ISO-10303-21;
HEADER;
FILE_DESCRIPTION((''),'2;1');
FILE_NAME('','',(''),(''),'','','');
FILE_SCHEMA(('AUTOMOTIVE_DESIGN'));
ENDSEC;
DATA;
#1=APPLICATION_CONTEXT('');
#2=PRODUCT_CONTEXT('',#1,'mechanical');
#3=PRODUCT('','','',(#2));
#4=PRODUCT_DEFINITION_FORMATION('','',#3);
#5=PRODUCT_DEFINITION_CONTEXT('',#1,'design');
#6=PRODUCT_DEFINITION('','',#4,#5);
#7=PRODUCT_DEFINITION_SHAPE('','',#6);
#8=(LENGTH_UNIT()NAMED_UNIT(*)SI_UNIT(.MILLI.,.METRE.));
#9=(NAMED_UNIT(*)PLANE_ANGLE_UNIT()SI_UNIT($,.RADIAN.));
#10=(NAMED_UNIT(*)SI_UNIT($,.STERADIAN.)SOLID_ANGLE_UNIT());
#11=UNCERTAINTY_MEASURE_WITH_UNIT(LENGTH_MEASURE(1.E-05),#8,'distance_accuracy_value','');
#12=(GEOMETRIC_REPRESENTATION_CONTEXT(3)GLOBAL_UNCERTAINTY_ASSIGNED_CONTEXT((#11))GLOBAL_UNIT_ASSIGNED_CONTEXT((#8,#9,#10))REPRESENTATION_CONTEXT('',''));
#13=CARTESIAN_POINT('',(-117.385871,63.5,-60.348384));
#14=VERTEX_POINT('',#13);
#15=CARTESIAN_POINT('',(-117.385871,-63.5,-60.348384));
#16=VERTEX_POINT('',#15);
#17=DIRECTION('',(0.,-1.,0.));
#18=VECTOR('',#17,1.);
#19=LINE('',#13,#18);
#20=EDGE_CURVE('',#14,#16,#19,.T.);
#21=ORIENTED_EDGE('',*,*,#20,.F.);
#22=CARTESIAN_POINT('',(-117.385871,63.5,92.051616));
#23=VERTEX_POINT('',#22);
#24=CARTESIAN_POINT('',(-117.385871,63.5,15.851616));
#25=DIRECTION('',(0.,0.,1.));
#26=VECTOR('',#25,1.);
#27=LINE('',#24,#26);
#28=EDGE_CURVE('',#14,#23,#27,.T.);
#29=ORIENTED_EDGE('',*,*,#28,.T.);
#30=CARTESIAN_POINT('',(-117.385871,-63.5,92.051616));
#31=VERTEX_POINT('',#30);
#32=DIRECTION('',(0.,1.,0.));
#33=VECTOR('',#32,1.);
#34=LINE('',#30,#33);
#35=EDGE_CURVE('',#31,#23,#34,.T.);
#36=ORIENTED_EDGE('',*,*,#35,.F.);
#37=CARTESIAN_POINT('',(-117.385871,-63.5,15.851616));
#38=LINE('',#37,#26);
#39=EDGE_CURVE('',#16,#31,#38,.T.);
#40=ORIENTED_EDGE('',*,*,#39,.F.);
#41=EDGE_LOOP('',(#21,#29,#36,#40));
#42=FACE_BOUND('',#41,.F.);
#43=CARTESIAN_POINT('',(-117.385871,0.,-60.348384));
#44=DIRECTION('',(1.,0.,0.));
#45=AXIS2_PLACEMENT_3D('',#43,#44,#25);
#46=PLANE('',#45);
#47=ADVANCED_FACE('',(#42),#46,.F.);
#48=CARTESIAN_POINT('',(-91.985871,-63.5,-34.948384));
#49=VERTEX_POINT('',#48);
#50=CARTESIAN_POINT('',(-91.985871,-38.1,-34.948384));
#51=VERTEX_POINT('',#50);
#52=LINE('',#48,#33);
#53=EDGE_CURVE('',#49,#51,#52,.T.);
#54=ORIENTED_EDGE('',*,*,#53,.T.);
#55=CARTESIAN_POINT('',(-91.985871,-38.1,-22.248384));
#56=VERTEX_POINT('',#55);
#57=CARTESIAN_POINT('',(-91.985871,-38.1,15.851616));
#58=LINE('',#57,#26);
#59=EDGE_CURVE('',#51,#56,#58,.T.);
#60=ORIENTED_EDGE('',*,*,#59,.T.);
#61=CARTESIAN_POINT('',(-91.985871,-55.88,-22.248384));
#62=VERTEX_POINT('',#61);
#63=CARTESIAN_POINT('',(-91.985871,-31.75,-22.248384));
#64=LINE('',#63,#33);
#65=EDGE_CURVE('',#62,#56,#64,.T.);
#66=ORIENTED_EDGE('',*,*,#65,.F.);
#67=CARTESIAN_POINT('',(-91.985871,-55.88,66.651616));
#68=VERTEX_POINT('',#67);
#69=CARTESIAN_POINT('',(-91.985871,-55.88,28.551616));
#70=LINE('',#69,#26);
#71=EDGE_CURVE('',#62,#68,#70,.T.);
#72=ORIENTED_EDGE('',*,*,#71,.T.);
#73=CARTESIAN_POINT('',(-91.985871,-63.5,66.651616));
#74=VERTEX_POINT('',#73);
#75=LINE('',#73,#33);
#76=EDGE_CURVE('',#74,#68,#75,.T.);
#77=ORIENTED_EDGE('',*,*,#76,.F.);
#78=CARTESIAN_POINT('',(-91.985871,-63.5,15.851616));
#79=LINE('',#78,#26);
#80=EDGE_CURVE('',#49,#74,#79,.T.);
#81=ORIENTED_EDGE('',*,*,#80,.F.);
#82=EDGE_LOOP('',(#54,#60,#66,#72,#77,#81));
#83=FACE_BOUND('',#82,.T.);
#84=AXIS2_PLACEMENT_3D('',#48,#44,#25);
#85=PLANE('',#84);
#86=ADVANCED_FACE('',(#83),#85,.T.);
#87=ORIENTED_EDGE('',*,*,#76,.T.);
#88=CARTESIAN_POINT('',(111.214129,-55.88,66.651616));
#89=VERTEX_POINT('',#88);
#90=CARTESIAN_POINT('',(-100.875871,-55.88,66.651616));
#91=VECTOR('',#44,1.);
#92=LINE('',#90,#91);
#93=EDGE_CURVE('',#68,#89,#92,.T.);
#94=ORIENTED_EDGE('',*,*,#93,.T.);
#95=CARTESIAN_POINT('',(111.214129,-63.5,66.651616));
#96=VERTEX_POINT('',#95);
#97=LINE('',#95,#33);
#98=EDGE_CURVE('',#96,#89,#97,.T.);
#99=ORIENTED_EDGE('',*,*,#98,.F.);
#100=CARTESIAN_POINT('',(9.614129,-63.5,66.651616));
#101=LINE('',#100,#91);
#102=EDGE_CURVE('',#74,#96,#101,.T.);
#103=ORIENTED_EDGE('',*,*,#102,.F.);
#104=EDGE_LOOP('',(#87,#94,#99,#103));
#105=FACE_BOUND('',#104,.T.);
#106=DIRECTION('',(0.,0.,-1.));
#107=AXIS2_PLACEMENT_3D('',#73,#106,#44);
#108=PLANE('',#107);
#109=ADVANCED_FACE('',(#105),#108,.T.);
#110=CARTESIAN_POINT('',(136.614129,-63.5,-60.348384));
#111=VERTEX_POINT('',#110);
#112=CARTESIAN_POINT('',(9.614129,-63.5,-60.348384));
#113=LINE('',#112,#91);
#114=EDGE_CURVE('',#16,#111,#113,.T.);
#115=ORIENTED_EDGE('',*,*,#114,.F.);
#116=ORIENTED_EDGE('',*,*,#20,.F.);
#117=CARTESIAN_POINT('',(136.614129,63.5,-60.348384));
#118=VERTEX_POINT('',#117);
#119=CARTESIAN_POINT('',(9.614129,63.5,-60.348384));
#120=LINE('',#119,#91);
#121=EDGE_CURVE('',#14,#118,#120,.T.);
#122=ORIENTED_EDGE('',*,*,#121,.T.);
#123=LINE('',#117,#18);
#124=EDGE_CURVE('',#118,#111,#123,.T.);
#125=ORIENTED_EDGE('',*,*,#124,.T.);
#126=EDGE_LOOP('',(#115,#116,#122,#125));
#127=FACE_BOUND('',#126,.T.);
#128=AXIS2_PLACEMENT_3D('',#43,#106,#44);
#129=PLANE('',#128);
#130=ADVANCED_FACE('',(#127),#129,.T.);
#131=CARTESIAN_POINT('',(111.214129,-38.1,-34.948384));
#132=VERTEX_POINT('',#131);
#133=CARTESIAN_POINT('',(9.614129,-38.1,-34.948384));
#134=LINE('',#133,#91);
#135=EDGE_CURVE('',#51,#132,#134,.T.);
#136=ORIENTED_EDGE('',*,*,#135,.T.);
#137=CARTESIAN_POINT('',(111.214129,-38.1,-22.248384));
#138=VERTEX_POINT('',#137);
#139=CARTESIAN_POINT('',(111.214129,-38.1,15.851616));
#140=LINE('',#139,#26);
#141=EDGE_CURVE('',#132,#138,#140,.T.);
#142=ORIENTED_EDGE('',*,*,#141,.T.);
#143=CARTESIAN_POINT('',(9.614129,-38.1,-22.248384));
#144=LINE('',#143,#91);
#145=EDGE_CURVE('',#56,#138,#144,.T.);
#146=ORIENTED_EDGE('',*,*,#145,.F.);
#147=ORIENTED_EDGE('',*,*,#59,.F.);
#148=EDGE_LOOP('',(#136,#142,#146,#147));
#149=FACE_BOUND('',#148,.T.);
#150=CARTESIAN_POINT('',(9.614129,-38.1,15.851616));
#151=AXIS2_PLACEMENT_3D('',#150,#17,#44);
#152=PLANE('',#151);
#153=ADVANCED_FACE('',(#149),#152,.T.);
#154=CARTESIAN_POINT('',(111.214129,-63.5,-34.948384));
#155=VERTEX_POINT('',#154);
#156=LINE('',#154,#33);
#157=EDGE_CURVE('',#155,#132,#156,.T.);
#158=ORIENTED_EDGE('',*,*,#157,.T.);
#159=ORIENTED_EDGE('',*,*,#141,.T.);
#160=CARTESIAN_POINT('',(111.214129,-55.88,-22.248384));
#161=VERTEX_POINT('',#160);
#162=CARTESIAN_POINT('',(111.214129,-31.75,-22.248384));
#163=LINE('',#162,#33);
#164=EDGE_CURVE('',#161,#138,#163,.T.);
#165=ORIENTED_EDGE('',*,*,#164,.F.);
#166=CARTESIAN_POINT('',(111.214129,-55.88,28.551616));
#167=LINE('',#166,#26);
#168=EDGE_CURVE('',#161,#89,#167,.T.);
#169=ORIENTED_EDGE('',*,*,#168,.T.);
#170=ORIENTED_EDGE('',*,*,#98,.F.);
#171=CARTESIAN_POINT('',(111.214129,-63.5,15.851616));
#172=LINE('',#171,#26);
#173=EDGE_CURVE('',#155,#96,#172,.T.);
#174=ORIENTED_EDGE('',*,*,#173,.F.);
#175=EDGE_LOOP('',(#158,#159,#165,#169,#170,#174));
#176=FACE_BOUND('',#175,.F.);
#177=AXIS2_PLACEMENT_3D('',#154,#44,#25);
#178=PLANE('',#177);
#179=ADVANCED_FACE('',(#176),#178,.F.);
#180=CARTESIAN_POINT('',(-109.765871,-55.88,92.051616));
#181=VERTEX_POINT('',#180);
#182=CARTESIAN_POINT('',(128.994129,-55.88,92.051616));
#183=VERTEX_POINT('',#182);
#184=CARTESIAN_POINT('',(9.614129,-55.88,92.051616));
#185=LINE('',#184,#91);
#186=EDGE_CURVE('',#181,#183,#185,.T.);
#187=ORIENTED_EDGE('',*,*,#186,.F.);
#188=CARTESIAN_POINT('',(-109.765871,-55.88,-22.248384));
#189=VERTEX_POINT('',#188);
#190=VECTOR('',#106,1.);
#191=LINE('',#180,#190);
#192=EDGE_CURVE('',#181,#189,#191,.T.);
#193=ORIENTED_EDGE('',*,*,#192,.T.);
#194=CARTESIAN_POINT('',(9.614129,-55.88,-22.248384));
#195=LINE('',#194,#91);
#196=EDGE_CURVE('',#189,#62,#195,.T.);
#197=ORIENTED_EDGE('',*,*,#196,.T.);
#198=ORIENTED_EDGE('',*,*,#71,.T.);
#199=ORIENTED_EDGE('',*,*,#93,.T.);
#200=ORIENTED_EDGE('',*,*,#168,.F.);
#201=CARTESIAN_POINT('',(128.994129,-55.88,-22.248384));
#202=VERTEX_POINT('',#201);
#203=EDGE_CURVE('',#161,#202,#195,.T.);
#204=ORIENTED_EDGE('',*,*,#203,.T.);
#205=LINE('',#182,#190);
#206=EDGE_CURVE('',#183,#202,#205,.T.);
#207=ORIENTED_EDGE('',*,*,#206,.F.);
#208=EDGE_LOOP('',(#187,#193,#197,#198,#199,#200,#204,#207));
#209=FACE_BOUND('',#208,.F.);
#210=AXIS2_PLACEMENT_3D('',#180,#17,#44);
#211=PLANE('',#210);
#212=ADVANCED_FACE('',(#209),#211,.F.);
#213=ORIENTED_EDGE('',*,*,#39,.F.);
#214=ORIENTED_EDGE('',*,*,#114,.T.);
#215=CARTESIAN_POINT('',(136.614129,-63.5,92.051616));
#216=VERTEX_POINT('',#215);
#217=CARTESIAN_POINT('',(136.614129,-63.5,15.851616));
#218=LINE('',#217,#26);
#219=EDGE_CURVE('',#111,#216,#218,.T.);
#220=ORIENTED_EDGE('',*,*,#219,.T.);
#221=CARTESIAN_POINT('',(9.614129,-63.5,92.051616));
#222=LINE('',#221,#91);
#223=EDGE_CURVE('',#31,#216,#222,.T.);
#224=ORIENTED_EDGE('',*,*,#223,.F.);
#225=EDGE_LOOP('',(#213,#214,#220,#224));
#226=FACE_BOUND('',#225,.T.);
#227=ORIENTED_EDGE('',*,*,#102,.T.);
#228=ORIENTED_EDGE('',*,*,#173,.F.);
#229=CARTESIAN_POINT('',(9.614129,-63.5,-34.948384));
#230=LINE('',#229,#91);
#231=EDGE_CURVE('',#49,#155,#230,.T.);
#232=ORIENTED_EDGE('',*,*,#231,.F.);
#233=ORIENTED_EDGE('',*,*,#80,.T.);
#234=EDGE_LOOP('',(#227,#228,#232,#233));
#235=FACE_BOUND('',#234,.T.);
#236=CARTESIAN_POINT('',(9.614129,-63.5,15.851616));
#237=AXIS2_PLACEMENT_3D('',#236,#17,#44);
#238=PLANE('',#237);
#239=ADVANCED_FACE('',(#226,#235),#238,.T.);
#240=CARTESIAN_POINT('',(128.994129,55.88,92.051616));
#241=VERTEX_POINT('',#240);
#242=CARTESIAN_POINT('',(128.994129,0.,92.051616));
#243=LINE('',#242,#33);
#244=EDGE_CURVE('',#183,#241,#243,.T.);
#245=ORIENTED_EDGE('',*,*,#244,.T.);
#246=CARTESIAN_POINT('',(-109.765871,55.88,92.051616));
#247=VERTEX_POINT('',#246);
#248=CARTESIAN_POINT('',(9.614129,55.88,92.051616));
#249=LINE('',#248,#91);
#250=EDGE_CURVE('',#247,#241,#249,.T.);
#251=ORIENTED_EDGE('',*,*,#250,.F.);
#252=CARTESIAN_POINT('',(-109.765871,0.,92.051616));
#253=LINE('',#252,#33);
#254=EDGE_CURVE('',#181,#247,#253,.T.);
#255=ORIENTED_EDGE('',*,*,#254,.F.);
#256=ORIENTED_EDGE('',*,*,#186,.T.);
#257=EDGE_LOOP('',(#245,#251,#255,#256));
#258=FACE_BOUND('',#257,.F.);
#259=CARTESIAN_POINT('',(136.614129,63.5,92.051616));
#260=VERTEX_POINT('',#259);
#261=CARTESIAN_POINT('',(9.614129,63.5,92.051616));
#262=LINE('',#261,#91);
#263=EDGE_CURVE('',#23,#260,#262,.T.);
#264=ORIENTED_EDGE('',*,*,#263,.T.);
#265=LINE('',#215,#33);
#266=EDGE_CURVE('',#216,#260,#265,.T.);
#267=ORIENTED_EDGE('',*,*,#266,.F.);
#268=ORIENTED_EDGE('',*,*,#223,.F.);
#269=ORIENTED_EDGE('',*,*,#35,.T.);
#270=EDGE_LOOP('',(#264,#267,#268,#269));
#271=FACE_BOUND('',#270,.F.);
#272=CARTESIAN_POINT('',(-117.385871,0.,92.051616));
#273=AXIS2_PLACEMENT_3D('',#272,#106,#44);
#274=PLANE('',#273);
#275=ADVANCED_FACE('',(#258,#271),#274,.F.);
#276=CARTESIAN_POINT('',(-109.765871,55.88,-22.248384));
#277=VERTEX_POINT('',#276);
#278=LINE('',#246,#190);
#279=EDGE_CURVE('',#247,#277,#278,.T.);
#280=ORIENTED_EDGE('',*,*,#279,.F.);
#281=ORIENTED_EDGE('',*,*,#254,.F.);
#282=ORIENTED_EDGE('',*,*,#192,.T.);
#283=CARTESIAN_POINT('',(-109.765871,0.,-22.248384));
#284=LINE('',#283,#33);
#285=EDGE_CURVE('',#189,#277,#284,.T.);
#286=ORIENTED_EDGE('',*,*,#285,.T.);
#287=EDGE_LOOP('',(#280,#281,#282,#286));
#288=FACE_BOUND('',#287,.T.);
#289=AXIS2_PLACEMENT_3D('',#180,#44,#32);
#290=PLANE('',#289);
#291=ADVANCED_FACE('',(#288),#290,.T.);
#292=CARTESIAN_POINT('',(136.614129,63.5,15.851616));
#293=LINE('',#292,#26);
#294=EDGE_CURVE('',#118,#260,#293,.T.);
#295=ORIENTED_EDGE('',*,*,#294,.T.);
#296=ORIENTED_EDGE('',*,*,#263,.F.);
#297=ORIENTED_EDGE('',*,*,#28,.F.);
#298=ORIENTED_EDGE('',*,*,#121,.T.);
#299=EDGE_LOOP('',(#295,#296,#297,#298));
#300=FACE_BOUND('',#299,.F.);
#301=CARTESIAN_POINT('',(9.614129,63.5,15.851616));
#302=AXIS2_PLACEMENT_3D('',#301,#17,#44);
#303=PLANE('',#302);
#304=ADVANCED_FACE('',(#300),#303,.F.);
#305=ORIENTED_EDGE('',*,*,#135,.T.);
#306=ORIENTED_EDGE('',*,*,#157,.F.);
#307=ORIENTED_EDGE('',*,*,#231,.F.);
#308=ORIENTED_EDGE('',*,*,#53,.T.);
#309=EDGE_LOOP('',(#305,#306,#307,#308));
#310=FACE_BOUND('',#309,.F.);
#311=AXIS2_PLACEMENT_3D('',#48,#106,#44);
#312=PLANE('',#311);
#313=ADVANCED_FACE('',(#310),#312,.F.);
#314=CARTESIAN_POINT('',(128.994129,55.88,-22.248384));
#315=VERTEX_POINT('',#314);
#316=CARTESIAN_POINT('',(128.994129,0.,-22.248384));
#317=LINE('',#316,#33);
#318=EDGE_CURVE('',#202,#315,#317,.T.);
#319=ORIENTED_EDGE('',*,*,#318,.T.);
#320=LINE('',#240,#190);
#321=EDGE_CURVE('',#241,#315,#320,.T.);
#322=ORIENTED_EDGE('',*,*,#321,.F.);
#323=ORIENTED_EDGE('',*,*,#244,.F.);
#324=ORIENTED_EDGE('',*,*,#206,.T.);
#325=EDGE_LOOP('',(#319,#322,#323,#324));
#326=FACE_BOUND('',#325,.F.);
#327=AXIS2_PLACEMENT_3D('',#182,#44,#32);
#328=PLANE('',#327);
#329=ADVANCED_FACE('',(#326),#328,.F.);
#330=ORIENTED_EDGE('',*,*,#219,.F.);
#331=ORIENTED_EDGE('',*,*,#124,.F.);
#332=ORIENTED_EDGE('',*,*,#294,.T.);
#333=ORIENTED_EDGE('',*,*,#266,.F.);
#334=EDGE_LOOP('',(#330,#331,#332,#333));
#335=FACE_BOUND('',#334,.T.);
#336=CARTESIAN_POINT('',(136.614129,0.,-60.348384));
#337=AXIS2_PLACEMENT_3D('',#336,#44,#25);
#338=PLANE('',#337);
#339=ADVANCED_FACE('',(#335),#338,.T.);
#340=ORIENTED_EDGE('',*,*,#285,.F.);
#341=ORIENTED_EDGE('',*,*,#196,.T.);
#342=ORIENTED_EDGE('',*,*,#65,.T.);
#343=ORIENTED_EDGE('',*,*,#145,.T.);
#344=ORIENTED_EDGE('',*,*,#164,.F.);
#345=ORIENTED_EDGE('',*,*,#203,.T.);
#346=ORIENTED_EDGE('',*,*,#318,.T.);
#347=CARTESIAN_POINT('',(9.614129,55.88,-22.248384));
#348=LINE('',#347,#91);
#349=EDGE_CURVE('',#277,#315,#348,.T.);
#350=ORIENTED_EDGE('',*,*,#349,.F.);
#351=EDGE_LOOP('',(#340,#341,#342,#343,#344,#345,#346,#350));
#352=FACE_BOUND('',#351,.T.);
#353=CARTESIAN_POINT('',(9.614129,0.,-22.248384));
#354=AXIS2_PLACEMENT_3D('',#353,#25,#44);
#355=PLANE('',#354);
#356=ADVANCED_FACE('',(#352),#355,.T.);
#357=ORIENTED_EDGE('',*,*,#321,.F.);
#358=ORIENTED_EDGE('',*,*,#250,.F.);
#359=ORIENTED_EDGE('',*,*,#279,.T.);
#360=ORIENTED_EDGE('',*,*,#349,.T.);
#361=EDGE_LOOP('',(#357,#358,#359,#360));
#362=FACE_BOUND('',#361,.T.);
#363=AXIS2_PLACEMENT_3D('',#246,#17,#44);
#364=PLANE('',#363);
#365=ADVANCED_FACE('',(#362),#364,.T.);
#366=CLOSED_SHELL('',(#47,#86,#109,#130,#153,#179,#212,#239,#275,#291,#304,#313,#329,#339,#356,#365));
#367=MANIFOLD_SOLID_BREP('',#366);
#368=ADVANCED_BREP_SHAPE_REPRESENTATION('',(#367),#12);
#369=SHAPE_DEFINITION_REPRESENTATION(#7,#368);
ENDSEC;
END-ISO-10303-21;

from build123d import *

# Parameters (mm, degrees)
F0_W     = 254
F0_H     = 152.4
F1_DEPTH = 63.5
F2_W     = 238.76
F2_H     = 111.76
F3_DEPTH = 114.3
F4_W     = 203.2
F4_H     = 101.6
F5_DEPTH = 25.4


with BuildPart() as f1:
    # F0 (on Front) → F1 (new body, symmetric)
    with BuildSketch(Plane.XZ):
        with Locations((9.614129, 15.851616)):
            Rectangle(F0_W, F0_H)
    extrude(amount=F1_DEPTH, both=True)

    # F2 (on face) → F3 (cut)
    with BuildSketch(Plane.XY.offset(92.051616)):
        with Locations((9.614129, 0)):
            Rectangle(F2_W, F2_H)
    extrude(amount=-F3_DEPTH, mode=Mode.SUBTRACT)

    # F4 (on face) → F5 (cut)
    with BuildSketch(Plane.XZ.offset(63.5)):
        with Locations((9.614129, 15.851616)):
            Rectangle(F4_W, F4_H)
    extrude(amount=-F5_DEPTH, mode=Mode.SUBTRACT)


solid = f1.part
